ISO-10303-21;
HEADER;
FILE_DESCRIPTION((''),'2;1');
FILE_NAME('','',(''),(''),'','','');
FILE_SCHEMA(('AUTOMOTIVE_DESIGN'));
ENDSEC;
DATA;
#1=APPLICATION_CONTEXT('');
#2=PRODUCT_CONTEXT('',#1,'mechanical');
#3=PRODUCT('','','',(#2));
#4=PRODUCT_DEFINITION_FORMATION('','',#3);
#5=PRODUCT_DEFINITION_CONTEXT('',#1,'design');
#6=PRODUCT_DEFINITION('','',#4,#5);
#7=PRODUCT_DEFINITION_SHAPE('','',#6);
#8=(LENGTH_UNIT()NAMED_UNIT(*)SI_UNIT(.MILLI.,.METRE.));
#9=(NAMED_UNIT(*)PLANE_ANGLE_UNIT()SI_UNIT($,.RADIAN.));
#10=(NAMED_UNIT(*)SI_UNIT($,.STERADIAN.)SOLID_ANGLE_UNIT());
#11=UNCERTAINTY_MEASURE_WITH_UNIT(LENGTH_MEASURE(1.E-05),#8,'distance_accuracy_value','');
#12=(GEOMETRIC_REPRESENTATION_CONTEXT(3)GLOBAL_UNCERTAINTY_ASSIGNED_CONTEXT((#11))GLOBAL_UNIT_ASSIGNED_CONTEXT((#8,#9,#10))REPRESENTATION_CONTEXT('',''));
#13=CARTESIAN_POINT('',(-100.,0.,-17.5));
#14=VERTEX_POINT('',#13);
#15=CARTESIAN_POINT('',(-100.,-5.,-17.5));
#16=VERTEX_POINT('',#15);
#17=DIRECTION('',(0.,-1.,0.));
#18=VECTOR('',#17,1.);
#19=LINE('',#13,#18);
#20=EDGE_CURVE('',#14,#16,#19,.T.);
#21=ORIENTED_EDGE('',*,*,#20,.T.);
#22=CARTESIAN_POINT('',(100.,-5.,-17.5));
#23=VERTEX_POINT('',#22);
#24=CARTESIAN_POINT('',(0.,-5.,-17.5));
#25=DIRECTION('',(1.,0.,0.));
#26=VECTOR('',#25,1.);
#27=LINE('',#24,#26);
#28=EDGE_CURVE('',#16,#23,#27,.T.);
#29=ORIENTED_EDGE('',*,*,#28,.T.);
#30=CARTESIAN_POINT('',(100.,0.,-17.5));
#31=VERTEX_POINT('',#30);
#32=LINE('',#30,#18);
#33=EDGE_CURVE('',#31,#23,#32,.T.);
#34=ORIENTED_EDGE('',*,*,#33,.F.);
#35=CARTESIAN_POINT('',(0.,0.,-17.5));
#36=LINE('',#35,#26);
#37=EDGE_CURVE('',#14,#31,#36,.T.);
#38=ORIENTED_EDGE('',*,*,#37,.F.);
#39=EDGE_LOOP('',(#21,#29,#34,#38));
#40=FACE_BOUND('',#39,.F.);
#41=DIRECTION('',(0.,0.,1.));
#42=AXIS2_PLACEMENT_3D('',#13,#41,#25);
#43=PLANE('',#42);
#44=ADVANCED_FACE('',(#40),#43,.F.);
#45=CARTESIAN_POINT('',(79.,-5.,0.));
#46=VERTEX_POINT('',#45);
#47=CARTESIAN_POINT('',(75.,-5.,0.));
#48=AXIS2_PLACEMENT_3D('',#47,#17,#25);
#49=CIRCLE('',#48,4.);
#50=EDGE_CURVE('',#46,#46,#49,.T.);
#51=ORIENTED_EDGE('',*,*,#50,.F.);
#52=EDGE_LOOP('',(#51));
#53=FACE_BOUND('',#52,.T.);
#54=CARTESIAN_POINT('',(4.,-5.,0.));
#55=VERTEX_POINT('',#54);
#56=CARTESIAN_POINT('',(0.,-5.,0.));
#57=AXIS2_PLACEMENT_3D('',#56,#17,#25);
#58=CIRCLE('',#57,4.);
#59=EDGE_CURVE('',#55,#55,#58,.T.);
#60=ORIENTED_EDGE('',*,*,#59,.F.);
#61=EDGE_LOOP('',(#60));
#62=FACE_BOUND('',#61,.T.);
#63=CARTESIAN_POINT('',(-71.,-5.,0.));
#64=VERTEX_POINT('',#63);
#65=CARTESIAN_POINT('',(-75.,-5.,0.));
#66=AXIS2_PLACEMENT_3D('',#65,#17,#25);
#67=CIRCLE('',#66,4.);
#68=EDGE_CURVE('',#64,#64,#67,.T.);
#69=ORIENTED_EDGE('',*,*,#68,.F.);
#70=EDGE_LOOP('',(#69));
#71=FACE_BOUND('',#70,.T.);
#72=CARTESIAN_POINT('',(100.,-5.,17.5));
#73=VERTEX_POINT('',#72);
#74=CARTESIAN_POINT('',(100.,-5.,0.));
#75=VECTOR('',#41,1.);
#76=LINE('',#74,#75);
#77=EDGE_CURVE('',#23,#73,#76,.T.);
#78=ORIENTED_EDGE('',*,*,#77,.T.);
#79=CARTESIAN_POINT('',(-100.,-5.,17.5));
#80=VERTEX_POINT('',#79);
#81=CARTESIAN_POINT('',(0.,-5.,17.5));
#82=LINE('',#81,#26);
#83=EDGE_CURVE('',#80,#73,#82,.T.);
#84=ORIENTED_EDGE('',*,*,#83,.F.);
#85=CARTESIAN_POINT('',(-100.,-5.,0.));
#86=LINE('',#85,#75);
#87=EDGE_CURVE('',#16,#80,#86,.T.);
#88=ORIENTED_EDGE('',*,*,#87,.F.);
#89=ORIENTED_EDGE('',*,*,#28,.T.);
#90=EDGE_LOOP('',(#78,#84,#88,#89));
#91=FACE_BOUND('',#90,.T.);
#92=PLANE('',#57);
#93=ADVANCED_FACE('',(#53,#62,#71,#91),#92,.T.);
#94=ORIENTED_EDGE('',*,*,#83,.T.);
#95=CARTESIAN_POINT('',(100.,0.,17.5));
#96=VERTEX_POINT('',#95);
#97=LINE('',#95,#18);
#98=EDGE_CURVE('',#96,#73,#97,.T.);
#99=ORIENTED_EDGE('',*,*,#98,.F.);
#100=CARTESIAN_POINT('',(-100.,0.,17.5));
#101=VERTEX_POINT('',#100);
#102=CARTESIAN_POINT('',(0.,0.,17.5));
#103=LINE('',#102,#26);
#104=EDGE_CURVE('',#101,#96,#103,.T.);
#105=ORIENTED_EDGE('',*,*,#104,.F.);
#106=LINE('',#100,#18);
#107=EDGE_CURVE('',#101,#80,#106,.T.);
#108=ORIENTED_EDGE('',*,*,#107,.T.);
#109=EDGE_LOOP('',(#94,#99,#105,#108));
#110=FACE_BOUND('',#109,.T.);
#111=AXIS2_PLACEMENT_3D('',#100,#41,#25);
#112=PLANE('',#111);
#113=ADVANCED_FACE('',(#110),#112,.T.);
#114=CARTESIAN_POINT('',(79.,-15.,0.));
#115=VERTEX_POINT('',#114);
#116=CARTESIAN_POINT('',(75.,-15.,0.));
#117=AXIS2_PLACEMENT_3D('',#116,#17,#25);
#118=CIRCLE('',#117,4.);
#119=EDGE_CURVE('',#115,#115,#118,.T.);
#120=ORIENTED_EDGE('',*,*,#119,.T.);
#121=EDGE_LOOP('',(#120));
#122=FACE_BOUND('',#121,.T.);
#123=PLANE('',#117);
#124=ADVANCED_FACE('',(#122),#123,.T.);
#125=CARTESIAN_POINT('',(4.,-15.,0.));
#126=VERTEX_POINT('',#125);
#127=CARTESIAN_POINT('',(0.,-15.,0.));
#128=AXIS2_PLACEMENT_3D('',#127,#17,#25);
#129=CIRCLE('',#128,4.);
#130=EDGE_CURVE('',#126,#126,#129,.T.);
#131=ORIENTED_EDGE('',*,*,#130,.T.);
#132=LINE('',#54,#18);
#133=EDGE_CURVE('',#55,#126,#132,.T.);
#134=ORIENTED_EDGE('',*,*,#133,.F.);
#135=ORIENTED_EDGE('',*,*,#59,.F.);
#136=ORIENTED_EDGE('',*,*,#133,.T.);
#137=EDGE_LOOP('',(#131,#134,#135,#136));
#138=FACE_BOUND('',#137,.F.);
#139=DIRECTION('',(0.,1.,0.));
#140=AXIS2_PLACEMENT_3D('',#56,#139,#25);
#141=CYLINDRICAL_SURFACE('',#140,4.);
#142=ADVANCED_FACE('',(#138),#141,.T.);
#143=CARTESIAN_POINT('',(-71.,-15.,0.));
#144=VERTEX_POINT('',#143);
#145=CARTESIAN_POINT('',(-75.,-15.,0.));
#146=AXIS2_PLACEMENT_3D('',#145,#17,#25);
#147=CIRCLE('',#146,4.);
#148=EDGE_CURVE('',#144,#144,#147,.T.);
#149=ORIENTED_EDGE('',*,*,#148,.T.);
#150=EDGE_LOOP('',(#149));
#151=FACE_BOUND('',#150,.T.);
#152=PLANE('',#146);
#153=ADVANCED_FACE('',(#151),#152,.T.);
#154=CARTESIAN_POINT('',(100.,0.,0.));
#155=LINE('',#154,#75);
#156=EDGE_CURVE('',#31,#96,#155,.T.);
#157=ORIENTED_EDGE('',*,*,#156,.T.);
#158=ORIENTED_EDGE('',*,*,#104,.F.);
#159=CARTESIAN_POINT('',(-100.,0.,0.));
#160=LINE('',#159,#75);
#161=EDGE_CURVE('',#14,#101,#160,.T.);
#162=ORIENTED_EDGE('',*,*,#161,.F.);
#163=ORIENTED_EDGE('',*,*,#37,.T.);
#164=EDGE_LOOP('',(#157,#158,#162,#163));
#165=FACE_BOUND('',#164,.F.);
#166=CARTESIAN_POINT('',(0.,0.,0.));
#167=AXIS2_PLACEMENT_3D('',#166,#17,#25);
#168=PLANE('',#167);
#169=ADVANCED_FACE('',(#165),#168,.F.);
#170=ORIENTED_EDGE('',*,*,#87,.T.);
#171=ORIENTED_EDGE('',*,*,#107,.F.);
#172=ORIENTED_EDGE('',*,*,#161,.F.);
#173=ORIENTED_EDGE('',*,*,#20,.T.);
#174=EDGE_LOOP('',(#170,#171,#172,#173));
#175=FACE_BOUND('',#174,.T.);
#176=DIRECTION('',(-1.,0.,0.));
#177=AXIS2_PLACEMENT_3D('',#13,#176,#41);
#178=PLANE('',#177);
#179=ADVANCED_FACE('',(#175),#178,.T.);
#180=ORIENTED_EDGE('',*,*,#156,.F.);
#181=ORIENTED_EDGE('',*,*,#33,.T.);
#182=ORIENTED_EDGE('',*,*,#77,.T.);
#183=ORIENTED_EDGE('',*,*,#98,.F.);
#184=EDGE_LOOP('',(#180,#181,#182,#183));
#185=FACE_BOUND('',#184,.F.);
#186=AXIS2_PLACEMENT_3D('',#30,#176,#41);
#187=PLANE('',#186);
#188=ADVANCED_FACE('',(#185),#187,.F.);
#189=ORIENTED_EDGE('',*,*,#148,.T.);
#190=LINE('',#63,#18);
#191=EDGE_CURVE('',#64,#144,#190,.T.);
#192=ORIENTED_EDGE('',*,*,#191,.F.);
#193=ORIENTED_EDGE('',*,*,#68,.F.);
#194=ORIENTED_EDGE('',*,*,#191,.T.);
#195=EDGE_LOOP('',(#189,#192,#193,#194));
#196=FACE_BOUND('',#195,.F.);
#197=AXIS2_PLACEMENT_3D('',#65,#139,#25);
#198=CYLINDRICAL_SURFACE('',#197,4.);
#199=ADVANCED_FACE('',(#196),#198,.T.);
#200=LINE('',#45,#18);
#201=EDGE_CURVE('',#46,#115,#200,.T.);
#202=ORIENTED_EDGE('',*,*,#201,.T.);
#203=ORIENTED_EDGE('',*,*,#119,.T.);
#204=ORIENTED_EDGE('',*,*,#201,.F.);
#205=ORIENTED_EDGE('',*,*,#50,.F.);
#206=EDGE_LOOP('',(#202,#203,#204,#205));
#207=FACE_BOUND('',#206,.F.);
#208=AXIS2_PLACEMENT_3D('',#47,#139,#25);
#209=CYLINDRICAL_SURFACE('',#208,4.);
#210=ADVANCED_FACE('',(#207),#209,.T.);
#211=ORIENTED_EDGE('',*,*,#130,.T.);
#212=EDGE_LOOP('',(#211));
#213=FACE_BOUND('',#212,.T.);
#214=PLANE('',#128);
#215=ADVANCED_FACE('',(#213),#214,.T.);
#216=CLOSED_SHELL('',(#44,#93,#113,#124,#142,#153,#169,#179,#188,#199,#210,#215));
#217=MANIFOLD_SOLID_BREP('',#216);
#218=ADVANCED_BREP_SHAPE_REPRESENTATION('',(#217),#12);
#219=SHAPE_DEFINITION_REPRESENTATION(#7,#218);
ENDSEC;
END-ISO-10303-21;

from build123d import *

# Parameters (mm, degrees)
F0_W     = 200
F0_H     = 35
F1_DEPTH = 5
F2_R     = 4
F3_DEPTH = 10


with BuildPart() as f1:
    # F0 (on Front) → F1 (new body)
    with BuildSketch(Plane.XZ):
        Rectangle(F0_W, F0_H)
    extrude(amount=F1_DEPTH)

    # F2 (on face) → F3 (join)
    with BuildSketch(Plane.XZ.offset(5)):
        with Locations((-75, 0)):
            Circle(F2_R)
        Circle(F2_R)
        with Locations((75, 0)):
            Circle(F2_R)
    extrude(amount=F3_DEPTH)


solid = f1.part
